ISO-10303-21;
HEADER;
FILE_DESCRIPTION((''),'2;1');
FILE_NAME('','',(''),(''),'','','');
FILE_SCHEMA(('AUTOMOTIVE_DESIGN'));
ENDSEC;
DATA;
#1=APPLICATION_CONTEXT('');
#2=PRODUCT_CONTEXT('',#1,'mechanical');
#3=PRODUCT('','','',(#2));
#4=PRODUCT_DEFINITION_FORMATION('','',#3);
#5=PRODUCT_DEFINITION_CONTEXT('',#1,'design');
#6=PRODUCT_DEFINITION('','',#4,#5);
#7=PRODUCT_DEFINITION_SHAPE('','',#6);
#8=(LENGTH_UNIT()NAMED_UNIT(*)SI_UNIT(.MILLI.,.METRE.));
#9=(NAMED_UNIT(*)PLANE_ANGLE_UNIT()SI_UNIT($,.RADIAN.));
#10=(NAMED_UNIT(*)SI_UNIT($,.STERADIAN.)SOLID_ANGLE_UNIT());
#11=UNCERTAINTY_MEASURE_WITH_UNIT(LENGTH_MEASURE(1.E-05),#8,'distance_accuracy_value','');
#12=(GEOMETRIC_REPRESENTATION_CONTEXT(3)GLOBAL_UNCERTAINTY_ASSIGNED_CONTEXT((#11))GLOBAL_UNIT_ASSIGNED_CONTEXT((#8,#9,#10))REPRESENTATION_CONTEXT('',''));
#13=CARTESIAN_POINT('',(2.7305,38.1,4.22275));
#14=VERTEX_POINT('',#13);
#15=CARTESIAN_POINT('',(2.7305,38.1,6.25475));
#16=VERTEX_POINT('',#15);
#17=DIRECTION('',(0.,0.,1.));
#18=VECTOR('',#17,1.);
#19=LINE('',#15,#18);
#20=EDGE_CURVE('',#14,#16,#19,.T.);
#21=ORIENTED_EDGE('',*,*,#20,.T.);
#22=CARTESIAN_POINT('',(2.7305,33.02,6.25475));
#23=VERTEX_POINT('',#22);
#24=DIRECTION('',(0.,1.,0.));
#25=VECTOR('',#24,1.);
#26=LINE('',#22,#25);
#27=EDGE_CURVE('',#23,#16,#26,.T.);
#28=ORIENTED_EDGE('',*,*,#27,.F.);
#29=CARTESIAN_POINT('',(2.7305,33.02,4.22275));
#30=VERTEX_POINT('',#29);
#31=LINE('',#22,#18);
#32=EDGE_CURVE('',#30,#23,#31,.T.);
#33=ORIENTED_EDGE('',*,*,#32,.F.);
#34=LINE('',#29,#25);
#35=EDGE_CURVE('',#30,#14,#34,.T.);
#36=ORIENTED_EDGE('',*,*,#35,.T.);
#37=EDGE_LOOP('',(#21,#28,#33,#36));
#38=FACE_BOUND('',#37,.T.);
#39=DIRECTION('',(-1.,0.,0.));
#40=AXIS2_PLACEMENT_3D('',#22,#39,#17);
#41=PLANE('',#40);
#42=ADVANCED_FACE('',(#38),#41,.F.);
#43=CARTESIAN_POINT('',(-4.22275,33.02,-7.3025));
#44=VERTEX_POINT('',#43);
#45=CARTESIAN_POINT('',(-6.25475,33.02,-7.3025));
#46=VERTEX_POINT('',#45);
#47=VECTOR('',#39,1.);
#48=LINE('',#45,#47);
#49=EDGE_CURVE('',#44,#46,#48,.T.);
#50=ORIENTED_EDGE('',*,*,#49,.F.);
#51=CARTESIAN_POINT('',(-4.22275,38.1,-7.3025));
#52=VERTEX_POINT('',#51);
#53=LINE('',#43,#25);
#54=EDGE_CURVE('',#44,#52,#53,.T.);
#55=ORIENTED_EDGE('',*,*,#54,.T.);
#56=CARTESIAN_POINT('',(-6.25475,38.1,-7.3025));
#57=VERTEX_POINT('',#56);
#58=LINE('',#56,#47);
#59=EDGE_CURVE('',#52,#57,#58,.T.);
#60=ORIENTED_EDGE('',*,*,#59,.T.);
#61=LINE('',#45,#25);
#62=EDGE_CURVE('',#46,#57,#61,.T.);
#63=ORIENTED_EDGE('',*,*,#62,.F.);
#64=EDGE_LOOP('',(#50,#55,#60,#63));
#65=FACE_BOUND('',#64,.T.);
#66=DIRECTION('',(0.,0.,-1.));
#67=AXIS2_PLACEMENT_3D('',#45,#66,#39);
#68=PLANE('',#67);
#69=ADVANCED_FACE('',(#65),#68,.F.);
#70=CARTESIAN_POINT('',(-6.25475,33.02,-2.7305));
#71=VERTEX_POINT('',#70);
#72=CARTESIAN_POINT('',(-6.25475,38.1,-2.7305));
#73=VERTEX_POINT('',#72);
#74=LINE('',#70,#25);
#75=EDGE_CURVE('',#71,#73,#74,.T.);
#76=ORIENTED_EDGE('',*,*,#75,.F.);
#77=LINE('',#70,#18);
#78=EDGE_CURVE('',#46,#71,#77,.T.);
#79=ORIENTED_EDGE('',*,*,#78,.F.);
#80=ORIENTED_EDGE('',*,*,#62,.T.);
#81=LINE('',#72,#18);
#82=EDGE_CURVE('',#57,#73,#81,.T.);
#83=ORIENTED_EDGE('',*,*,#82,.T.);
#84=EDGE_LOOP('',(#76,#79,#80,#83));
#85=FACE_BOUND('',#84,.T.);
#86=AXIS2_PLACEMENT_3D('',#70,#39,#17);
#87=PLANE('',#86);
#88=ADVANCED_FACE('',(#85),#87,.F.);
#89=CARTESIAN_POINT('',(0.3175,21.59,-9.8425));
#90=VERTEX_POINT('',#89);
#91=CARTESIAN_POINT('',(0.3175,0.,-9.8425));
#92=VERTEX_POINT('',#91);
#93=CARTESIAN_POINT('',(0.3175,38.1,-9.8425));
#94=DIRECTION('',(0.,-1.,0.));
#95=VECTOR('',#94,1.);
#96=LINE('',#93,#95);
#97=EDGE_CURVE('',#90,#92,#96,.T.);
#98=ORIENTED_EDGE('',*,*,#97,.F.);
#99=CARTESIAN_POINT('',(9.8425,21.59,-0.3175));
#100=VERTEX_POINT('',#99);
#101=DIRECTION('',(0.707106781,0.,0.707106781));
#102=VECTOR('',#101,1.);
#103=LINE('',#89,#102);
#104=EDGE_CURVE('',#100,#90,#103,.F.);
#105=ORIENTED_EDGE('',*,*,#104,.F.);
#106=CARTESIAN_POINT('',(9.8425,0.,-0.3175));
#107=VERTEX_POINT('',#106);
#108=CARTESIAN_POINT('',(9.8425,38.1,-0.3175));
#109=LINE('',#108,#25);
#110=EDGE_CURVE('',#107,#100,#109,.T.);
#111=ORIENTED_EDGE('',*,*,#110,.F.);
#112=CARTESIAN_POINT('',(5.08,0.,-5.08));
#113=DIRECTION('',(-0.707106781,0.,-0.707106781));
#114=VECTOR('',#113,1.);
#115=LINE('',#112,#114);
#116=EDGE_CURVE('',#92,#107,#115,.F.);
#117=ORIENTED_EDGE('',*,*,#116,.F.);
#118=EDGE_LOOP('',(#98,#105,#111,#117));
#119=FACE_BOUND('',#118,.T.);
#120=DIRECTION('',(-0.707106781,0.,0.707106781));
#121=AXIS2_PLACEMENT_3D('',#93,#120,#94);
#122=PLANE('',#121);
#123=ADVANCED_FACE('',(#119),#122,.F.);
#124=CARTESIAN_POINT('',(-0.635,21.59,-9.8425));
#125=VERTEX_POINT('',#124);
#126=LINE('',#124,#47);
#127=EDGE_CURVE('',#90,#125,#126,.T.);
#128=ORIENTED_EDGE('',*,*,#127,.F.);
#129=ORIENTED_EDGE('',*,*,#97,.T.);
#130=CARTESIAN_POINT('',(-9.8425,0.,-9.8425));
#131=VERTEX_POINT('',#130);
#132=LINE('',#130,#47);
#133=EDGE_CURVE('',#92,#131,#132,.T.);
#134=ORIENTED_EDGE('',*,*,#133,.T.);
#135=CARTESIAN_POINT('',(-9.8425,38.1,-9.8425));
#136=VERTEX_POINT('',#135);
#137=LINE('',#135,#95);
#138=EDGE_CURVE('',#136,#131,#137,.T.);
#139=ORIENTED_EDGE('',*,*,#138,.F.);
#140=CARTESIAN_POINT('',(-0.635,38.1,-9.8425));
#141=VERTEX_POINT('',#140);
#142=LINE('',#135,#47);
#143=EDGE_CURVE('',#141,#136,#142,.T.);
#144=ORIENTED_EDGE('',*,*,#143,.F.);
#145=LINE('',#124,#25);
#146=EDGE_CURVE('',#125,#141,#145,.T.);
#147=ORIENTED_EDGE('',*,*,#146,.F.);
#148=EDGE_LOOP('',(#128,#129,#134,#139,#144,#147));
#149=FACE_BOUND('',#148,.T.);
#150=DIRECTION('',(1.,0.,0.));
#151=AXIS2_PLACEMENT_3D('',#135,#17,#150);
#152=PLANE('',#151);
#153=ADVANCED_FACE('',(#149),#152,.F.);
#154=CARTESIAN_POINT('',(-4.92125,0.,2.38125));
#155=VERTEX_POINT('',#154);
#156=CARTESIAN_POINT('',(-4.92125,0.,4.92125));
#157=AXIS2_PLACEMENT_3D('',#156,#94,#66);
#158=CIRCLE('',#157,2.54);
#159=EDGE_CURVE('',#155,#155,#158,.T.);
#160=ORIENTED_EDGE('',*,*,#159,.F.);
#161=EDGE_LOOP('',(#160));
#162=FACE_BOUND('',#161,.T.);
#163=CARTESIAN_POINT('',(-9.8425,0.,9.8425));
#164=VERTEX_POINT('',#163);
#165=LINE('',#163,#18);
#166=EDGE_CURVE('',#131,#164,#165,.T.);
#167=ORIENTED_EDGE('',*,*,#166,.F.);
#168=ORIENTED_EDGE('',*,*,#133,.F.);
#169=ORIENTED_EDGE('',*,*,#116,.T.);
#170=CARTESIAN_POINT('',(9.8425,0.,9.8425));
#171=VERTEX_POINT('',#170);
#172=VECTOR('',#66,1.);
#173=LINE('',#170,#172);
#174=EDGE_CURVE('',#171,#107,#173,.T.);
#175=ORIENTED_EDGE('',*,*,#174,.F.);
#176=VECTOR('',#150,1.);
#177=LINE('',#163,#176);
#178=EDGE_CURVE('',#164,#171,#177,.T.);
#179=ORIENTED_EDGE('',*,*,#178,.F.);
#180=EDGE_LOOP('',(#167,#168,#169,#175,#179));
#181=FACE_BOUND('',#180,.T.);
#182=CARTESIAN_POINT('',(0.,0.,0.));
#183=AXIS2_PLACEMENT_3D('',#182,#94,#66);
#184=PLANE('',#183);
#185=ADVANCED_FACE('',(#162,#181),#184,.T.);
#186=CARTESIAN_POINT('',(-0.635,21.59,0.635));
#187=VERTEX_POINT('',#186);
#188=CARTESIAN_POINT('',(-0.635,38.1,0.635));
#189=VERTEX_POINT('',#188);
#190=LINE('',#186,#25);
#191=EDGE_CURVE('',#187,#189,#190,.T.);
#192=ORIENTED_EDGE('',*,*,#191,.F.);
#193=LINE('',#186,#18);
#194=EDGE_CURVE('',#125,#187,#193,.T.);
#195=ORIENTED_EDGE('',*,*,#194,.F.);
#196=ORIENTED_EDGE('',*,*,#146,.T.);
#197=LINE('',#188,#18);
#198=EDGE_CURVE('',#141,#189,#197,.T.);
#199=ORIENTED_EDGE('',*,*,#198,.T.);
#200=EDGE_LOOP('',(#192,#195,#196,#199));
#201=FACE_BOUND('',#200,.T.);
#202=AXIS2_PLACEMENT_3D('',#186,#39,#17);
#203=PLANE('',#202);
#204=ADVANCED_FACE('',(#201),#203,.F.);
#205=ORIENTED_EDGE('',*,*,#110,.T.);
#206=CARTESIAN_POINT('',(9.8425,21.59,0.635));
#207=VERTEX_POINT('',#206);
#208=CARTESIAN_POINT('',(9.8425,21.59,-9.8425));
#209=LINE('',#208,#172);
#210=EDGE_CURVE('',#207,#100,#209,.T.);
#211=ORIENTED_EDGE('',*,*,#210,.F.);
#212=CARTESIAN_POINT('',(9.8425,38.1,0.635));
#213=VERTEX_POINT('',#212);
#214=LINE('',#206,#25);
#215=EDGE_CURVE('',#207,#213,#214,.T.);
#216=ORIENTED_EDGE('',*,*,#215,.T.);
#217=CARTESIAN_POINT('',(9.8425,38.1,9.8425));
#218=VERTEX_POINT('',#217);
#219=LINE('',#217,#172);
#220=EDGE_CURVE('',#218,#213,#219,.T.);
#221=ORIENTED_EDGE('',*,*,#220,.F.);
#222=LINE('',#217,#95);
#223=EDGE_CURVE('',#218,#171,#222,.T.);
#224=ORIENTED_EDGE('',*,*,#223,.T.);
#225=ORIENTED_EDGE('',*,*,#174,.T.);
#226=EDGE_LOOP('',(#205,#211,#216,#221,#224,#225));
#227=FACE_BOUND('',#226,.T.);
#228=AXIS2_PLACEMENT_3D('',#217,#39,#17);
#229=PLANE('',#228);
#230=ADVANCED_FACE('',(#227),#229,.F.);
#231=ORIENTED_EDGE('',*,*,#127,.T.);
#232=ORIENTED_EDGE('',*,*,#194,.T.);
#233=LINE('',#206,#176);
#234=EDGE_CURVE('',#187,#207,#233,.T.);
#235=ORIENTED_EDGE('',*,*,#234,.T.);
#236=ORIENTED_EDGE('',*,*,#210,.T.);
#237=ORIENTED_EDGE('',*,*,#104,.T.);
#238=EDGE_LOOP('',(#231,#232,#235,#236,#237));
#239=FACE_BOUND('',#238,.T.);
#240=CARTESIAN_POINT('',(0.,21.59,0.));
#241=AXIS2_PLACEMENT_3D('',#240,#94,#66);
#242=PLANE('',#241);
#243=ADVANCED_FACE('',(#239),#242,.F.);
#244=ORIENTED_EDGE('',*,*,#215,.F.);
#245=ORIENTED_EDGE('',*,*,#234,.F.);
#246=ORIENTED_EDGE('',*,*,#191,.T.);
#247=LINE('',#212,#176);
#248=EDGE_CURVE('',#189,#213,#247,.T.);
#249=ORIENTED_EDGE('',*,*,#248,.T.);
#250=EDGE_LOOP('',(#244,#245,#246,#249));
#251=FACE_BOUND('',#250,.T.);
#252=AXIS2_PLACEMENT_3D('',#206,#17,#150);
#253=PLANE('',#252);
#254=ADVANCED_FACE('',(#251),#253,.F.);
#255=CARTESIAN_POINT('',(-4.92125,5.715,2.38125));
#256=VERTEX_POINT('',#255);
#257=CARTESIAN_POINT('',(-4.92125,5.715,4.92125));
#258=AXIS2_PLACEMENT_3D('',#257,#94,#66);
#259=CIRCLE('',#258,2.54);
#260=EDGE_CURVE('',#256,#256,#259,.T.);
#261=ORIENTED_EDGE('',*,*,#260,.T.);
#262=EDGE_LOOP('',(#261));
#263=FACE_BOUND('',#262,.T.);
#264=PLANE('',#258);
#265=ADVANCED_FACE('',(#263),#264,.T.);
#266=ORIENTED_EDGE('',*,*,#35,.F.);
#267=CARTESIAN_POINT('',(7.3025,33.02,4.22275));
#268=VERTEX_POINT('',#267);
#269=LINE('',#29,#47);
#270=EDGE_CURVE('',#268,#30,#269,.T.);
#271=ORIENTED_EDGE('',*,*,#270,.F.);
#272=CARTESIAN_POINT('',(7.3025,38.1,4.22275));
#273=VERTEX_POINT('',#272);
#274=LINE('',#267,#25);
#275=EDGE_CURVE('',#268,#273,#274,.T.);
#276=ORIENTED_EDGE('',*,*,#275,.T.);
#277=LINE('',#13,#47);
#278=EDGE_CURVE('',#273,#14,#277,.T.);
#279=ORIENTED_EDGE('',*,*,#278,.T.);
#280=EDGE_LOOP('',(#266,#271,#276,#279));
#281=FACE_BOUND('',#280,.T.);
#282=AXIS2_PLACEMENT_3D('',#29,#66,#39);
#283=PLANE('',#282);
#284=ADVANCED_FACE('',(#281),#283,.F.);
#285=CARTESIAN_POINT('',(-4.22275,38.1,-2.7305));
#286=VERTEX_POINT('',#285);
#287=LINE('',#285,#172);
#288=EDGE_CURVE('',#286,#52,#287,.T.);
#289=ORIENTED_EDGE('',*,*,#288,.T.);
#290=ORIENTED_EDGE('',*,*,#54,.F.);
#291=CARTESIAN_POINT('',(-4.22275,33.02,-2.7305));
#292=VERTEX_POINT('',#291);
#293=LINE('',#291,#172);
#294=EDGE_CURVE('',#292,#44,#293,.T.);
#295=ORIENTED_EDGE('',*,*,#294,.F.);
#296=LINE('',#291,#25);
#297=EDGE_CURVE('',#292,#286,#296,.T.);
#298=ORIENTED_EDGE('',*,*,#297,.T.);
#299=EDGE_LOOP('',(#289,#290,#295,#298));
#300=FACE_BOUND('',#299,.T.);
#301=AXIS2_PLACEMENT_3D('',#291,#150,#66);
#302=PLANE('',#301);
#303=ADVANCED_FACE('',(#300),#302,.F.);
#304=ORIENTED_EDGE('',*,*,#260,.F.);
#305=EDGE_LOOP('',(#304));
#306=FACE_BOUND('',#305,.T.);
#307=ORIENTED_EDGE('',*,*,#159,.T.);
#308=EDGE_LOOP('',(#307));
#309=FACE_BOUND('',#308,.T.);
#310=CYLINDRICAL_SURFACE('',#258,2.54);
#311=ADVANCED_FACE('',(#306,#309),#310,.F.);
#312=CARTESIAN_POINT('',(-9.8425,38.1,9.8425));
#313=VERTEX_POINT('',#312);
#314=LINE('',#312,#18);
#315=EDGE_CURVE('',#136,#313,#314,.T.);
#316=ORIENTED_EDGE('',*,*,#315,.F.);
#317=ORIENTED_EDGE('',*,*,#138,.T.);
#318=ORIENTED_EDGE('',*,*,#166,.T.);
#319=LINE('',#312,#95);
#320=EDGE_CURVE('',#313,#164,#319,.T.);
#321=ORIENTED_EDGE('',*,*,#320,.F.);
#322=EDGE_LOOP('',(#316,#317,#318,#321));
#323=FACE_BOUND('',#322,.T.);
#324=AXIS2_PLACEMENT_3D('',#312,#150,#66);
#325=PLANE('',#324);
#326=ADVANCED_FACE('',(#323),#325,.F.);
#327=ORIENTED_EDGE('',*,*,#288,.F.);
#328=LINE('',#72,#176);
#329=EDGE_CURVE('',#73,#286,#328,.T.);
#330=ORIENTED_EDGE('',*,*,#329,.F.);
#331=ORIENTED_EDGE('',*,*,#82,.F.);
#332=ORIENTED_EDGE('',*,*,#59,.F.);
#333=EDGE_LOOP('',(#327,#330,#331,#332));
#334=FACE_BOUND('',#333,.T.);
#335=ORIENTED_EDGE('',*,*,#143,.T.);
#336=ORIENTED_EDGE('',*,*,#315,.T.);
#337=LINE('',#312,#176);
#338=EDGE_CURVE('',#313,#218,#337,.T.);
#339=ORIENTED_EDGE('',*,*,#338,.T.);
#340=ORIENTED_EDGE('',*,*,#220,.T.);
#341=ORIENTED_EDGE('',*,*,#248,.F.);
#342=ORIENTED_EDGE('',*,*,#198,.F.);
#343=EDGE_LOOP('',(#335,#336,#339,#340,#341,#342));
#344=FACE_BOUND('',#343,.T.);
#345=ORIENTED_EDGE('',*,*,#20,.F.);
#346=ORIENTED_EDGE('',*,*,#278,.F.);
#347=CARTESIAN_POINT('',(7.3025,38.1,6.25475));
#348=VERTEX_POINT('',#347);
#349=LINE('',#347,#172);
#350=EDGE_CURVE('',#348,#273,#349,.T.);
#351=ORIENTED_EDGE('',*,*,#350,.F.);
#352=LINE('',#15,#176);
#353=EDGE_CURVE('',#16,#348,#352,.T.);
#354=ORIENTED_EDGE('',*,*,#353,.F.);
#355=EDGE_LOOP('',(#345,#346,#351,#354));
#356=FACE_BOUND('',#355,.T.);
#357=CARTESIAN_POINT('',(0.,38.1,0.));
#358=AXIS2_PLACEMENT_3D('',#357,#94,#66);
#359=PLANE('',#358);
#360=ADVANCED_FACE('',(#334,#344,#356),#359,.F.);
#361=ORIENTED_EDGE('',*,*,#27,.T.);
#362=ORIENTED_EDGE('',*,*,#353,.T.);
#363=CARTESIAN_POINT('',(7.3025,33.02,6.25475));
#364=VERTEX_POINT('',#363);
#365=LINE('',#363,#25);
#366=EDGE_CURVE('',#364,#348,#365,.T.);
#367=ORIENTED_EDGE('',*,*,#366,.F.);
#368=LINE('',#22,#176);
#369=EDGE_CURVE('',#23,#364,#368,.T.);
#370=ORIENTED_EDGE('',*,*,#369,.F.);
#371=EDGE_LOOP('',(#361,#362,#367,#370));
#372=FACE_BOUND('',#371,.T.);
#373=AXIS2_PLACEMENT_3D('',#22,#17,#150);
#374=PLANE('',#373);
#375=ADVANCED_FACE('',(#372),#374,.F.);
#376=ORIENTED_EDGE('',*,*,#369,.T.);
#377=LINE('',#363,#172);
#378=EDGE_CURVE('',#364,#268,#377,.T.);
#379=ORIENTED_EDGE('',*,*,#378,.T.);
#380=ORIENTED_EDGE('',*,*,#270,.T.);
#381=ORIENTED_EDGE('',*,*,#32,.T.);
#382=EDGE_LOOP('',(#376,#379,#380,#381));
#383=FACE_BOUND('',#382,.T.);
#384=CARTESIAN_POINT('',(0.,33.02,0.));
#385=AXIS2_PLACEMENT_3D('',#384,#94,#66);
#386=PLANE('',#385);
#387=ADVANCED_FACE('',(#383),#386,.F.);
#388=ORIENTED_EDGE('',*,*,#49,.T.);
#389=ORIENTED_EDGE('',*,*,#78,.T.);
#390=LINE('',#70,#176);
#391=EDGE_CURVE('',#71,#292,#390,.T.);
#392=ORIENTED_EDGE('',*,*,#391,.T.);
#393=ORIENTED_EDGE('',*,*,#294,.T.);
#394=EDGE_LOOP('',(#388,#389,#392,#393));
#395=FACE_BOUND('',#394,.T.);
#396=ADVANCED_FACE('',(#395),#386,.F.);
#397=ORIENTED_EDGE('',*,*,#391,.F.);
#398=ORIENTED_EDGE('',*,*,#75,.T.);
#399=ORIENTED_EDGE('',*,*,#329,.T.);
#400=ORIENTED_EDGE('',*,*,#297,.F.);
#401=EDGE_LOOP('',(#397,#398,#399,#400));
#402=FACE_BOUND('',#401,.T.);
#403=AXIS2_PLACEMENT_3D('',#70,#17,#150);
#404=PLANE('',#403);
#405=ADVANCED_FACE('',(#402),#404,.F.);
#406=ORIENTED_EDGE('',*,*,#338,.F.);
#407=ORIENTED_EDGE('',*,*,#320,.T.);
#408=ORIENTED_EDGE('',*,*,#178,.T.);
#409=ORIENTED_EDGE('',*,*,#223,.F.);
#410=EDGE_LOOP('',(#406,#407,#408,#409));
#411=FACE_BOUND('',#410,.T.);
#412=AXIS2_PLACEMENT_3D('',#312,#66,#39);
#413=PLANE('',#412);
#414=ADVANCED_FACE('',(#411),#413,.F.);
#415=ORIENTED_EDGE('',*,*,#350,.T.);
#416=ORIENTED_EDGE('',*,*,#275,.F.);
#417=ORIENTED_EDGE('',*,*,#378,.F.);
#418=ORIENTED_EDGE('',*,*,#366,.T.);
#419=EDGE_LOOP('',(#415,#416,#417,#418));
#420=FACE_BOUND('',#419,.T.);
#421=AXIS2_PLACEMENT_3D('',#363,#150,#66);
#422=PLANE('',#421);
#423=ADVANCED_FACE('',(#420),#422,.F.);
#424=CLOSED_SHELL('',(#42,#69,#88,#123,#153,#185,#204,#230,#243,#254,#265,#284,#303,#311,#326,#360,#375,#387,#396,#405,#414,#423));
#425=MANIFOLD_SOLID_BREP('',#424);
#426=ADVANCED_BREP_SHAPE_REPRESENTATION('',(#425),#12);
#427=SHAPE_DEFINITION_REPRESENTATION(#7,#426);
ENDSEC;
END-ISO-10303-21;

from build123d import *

# Parameters (mm, degrees)
SKETCH3_W           = 19.685
SKETCH3_H           = 19.685
BOSS_EXTRUDE2_DEPTH = 38.1
SKETCH5_R           = 2.54
CUT_EXTRUDE2_DEPTH  = 5.715
SKETCH6_W           = 10.4775
SKETCH6_H           = 10.4775
CUT_EXTRUDE3_DEPTH  = 16.51
SKETCH7_W           = 2.032
SKETCH7_H           = 4.572
SKETCH7_W_2         = 4.572
SKETCH7_H_2         = 2.032
CUT_EXTRUDE4_DEPTH  = 5.08
CHAMFER1_SIZE       = 9.525


with BuildPart() as part:
    # Sketch3 → Boss-Extrude2 (new body)
    with BuildSketch(Plane(origin=(0, 0, 0), x_dir=(1, 0, 0), z_dir=(0, 1, 0))):
        Rectangle(SKETCH3_W, SKETCH3_H)
    extrude(amount=BOSS_EXTRUDE2_DEPTH)

    # Sketch5 → Cut-Extrude2 (cut)
    with BuildSketch(Plane.XZ):
        with Locations(Location((-4.92125, 4.92125, 0), (0, 0, 270))):
            Circle(SKETCH5_R)
    extrude(amount=-CUT_EXTRUDE2_DEPTH, mode=Mode.SUBTRACT)

    # Sketch6 → Cut-Extrude3 (cut)
    with BuildSketch(Plane(origin=(0, 38.1, 0), x_dir=(1, 0, 0), z_dir=(0, 1, 0))):
        with Locations((4.60375, 4.60375)):
            Rectangle(SKETCH6_W, SKETCH6_H)
    extrude(amount=-CUT_EXTRUDE3_DEPTH, mode=Mode.SUBTRACT)

    # Sketch7 → Cut-Extrude4 (cut)
    with BuildSketch(Plane(origin=(0, 38.1, 0), x_dir=(1, 0, 0), z_dir=(0, 1, 0))):
        with Locations((-5.23875, 5.0165)):
            Rectangle(SKETCH7_W, SKETCH7_H)
        with Locations((5.0165, -5.23875)):
            Rectangle(SKETCH7_W_2, SKETCH7_H_2)
    extrude(amount=-CUT_EXTRUDE4_DEPTH, mode=Mode.SUBTRACT)

    # Chamfer1
    chamfer1_edges = [part.edges().sort_by_distance(p)[0] for p in [
        (9.8425, 10.795, -9.8425),
    ]]
    chamfer(chamfer1_edges, length=CHAMFER1_SIZE)


solid = part.part
